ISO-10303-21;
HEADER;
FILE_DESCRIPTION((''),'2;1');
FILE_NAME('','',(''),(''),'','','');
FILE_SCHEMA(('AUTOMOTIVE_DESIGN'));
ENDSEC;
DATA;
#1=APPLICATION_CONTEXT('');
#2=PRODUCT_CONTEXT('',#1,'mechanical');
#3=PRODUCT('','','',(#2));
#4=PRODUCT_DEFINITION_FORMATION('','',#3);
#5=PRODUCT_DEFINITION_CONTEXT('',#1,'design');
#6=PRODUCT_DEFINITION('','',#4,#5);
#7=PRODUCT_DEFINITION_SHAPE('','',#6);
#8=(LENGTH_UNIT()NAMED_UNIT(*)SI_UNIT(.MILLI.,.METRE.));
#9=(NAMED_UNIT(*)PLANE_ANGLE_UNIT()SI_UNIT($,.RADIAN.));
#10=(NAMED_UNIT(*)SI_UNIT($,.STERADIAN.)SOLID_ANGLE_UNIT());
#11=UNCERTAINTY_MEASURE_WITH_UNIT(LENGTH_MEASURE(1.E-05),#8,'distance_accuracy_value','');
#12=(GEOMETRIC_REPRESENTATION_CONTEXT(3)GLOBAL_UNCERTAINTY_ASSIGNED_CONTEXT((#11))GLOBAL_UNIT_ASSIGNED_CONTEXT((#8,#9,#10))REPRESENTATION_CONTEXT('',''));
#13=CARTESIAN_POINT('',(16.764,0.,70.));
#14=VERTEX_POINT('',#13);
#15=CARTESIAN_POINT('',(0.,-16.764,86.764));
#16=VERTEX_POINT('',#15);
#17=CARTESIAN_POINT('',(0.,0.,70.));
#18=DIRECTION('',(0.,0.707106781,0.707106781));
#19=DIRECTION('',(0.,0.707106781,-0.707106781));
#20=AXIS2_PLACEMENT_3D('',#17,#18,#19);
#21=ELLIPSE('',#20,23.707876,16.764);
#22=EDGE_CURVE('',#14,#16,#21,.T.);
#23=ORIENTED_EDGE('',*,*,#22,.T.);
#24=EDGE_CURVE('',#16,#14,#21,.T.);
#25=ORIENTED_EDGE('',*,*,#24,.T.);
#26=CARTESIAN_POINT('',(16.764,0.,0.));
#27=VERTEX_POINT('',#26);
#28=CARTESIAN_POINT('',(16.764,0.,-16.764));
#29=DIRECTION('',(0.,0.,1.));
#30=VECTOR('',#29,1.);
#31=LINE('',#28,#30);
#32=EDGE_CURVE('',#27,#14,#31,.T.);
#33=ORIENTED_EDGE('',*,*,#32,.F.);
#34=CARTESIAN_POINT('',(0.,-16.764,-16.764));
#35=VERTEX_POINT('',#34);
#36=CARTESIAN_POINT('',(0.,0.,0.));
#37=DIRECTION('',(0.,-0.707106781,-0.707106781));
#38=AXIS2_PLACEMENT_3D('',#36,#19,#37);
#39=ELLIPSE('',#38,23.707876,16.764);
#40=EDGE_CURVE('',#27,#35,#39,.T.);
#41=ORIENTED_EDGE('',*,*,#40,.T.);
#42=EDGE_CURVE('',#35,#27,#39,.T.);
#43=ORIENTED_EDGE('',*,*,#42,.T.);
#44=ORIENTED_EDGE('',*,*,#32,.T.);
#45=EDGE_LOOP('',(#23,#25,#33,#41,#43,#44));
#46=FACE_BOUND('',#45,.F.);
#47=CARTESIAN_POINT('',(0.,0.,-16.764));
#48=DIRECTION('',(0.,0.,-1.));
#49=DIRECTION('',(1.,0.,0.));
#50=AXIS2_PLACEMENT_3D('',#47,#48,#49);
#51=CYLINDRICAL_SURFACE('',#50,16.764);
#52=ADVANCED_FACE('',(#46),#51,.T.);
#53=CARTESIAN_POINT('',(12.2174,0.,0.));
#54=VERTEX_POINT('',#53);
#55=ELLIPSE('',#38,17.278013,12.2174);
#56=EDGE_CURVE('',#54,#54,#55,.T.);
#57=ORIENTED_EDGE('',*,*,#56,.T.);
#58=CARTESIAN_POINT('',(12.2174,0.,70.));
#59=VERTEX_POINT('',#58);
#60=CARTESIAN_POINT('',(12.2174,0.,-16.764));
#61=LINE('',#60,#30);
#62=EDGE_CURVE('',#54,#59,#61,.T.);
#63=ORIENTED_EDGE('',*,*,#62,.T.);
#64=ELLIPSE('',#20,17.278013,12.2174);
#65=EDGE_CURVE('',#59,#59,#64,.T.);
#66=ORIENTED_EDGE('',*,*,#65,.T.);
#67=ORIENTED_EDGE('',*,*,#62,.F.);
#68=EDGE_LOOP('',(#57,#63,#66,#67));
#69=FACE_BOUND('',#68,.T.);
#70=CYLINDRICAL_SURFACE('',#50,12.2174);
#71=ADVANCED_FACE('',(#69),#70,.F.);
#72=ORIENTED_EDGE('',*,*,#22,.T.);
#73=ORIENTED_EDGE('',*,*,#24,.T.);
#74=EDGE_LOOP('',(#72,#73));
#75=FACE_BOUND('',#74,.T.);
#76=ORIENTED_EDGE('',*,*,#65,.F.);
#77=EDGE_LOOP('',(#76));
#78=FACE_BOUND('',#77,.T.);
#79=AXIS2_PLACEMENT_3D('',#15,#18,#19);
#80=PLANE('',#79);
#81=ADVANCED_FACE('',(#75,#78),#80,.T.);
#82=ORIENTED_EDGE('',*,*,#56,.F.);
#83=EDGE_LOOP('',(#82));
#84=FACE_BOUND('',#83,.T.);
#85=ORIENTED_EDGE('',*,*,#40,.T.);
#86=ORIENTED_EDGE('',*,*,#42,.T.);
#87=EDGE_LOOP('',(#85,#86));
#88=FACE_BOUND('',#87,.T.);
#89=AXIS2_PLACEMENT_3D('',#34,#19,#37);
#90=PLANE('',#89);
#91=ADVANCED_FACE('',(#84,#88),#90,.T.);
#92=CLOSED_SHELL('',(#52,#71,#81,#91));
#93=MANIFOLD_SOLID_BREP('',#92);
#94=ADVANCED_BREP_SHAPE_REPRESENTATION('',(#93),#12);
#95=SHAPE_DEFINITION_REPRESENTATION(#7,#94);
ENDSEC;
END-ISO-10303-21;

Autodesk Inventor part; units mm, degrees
ref_plane "Start Plane" through (0, 0, -16.764) normal (0, 0, 1) x (1, 0, 0)
ref_plane "End Plane" through (0, 0, 86.764) normal (0, 0, 1) x (1, 0, 0)
sketch "Sketch" plane through (0, 0, 0) normal (0, 0, 1) x (1, 0, 0)
  circle A0 centre (0, 0) radius 12.2174
  circle A1 centre (0, 0) radius 16.764
  dimension "d0" = 33.528
  dimension "d1" = 4.5466
extrude "Body" add sketch "Sketch" along normal up to surface (103.528 mm away) from surface at -16.764
sketch "Sketch3" plane through (0, 0, 0) normal (0, 0, 1) x (1, 0, 0)
  line L0 (0, 0) -> (10, 0)
ref_plane "Work Plane3" through (0, 0, 0) normal (0, -1, 0) x (1, 0, 0)
ref_plane "Work Plane4" through (0, -16.764, 86.764) normal (0, 0.7071, 0.7071) x (1, 0, 0)
split "Split1" plane through (0, -16.764, 86.764) removes the side toward (0, 0.7071, 0.7071)
ref_plane "Work Plane5" through (0, -16.764, -16.764) normal (0, 0.7071, -0.7071) x (1, 0, 0)
split "Split2" plane through (0, -16.764, -16.764) removes the side toward (0, 0.7071, -0.7071)
sketch "Sketch4" plane through (0, 0, 0) normal (0, -1, 0) x (1, 0, 0)
  line L0 (-2, -16.764) -> (12, -16.764) projected
  line L1 (-2, 86.764) -> (12, 86.764) projected
  dimension "d7" = 103.528
equation "\"d0\" = G_H"
equation "\"d1\" = G_T"
equation "\"d2\" = G_L"
equation "\"G_H\" = 33.528"
equation "\"G_T\" = 4.5466"
equation "\"G_L\" = d7"
equation "\"G_OFFSET_START\" = 16.764"
equation "\"G_OFFSET_END\" = 16.764"
equation "\"d4\" = -G_OFFSET_START"
equation "\"d5\" = G_OFFSET_END + B_L"
equation "\"B_L\" = 70"
properties part number "ANSI - 1 x 0.179 - 4.076" material "Steel, Mild"
